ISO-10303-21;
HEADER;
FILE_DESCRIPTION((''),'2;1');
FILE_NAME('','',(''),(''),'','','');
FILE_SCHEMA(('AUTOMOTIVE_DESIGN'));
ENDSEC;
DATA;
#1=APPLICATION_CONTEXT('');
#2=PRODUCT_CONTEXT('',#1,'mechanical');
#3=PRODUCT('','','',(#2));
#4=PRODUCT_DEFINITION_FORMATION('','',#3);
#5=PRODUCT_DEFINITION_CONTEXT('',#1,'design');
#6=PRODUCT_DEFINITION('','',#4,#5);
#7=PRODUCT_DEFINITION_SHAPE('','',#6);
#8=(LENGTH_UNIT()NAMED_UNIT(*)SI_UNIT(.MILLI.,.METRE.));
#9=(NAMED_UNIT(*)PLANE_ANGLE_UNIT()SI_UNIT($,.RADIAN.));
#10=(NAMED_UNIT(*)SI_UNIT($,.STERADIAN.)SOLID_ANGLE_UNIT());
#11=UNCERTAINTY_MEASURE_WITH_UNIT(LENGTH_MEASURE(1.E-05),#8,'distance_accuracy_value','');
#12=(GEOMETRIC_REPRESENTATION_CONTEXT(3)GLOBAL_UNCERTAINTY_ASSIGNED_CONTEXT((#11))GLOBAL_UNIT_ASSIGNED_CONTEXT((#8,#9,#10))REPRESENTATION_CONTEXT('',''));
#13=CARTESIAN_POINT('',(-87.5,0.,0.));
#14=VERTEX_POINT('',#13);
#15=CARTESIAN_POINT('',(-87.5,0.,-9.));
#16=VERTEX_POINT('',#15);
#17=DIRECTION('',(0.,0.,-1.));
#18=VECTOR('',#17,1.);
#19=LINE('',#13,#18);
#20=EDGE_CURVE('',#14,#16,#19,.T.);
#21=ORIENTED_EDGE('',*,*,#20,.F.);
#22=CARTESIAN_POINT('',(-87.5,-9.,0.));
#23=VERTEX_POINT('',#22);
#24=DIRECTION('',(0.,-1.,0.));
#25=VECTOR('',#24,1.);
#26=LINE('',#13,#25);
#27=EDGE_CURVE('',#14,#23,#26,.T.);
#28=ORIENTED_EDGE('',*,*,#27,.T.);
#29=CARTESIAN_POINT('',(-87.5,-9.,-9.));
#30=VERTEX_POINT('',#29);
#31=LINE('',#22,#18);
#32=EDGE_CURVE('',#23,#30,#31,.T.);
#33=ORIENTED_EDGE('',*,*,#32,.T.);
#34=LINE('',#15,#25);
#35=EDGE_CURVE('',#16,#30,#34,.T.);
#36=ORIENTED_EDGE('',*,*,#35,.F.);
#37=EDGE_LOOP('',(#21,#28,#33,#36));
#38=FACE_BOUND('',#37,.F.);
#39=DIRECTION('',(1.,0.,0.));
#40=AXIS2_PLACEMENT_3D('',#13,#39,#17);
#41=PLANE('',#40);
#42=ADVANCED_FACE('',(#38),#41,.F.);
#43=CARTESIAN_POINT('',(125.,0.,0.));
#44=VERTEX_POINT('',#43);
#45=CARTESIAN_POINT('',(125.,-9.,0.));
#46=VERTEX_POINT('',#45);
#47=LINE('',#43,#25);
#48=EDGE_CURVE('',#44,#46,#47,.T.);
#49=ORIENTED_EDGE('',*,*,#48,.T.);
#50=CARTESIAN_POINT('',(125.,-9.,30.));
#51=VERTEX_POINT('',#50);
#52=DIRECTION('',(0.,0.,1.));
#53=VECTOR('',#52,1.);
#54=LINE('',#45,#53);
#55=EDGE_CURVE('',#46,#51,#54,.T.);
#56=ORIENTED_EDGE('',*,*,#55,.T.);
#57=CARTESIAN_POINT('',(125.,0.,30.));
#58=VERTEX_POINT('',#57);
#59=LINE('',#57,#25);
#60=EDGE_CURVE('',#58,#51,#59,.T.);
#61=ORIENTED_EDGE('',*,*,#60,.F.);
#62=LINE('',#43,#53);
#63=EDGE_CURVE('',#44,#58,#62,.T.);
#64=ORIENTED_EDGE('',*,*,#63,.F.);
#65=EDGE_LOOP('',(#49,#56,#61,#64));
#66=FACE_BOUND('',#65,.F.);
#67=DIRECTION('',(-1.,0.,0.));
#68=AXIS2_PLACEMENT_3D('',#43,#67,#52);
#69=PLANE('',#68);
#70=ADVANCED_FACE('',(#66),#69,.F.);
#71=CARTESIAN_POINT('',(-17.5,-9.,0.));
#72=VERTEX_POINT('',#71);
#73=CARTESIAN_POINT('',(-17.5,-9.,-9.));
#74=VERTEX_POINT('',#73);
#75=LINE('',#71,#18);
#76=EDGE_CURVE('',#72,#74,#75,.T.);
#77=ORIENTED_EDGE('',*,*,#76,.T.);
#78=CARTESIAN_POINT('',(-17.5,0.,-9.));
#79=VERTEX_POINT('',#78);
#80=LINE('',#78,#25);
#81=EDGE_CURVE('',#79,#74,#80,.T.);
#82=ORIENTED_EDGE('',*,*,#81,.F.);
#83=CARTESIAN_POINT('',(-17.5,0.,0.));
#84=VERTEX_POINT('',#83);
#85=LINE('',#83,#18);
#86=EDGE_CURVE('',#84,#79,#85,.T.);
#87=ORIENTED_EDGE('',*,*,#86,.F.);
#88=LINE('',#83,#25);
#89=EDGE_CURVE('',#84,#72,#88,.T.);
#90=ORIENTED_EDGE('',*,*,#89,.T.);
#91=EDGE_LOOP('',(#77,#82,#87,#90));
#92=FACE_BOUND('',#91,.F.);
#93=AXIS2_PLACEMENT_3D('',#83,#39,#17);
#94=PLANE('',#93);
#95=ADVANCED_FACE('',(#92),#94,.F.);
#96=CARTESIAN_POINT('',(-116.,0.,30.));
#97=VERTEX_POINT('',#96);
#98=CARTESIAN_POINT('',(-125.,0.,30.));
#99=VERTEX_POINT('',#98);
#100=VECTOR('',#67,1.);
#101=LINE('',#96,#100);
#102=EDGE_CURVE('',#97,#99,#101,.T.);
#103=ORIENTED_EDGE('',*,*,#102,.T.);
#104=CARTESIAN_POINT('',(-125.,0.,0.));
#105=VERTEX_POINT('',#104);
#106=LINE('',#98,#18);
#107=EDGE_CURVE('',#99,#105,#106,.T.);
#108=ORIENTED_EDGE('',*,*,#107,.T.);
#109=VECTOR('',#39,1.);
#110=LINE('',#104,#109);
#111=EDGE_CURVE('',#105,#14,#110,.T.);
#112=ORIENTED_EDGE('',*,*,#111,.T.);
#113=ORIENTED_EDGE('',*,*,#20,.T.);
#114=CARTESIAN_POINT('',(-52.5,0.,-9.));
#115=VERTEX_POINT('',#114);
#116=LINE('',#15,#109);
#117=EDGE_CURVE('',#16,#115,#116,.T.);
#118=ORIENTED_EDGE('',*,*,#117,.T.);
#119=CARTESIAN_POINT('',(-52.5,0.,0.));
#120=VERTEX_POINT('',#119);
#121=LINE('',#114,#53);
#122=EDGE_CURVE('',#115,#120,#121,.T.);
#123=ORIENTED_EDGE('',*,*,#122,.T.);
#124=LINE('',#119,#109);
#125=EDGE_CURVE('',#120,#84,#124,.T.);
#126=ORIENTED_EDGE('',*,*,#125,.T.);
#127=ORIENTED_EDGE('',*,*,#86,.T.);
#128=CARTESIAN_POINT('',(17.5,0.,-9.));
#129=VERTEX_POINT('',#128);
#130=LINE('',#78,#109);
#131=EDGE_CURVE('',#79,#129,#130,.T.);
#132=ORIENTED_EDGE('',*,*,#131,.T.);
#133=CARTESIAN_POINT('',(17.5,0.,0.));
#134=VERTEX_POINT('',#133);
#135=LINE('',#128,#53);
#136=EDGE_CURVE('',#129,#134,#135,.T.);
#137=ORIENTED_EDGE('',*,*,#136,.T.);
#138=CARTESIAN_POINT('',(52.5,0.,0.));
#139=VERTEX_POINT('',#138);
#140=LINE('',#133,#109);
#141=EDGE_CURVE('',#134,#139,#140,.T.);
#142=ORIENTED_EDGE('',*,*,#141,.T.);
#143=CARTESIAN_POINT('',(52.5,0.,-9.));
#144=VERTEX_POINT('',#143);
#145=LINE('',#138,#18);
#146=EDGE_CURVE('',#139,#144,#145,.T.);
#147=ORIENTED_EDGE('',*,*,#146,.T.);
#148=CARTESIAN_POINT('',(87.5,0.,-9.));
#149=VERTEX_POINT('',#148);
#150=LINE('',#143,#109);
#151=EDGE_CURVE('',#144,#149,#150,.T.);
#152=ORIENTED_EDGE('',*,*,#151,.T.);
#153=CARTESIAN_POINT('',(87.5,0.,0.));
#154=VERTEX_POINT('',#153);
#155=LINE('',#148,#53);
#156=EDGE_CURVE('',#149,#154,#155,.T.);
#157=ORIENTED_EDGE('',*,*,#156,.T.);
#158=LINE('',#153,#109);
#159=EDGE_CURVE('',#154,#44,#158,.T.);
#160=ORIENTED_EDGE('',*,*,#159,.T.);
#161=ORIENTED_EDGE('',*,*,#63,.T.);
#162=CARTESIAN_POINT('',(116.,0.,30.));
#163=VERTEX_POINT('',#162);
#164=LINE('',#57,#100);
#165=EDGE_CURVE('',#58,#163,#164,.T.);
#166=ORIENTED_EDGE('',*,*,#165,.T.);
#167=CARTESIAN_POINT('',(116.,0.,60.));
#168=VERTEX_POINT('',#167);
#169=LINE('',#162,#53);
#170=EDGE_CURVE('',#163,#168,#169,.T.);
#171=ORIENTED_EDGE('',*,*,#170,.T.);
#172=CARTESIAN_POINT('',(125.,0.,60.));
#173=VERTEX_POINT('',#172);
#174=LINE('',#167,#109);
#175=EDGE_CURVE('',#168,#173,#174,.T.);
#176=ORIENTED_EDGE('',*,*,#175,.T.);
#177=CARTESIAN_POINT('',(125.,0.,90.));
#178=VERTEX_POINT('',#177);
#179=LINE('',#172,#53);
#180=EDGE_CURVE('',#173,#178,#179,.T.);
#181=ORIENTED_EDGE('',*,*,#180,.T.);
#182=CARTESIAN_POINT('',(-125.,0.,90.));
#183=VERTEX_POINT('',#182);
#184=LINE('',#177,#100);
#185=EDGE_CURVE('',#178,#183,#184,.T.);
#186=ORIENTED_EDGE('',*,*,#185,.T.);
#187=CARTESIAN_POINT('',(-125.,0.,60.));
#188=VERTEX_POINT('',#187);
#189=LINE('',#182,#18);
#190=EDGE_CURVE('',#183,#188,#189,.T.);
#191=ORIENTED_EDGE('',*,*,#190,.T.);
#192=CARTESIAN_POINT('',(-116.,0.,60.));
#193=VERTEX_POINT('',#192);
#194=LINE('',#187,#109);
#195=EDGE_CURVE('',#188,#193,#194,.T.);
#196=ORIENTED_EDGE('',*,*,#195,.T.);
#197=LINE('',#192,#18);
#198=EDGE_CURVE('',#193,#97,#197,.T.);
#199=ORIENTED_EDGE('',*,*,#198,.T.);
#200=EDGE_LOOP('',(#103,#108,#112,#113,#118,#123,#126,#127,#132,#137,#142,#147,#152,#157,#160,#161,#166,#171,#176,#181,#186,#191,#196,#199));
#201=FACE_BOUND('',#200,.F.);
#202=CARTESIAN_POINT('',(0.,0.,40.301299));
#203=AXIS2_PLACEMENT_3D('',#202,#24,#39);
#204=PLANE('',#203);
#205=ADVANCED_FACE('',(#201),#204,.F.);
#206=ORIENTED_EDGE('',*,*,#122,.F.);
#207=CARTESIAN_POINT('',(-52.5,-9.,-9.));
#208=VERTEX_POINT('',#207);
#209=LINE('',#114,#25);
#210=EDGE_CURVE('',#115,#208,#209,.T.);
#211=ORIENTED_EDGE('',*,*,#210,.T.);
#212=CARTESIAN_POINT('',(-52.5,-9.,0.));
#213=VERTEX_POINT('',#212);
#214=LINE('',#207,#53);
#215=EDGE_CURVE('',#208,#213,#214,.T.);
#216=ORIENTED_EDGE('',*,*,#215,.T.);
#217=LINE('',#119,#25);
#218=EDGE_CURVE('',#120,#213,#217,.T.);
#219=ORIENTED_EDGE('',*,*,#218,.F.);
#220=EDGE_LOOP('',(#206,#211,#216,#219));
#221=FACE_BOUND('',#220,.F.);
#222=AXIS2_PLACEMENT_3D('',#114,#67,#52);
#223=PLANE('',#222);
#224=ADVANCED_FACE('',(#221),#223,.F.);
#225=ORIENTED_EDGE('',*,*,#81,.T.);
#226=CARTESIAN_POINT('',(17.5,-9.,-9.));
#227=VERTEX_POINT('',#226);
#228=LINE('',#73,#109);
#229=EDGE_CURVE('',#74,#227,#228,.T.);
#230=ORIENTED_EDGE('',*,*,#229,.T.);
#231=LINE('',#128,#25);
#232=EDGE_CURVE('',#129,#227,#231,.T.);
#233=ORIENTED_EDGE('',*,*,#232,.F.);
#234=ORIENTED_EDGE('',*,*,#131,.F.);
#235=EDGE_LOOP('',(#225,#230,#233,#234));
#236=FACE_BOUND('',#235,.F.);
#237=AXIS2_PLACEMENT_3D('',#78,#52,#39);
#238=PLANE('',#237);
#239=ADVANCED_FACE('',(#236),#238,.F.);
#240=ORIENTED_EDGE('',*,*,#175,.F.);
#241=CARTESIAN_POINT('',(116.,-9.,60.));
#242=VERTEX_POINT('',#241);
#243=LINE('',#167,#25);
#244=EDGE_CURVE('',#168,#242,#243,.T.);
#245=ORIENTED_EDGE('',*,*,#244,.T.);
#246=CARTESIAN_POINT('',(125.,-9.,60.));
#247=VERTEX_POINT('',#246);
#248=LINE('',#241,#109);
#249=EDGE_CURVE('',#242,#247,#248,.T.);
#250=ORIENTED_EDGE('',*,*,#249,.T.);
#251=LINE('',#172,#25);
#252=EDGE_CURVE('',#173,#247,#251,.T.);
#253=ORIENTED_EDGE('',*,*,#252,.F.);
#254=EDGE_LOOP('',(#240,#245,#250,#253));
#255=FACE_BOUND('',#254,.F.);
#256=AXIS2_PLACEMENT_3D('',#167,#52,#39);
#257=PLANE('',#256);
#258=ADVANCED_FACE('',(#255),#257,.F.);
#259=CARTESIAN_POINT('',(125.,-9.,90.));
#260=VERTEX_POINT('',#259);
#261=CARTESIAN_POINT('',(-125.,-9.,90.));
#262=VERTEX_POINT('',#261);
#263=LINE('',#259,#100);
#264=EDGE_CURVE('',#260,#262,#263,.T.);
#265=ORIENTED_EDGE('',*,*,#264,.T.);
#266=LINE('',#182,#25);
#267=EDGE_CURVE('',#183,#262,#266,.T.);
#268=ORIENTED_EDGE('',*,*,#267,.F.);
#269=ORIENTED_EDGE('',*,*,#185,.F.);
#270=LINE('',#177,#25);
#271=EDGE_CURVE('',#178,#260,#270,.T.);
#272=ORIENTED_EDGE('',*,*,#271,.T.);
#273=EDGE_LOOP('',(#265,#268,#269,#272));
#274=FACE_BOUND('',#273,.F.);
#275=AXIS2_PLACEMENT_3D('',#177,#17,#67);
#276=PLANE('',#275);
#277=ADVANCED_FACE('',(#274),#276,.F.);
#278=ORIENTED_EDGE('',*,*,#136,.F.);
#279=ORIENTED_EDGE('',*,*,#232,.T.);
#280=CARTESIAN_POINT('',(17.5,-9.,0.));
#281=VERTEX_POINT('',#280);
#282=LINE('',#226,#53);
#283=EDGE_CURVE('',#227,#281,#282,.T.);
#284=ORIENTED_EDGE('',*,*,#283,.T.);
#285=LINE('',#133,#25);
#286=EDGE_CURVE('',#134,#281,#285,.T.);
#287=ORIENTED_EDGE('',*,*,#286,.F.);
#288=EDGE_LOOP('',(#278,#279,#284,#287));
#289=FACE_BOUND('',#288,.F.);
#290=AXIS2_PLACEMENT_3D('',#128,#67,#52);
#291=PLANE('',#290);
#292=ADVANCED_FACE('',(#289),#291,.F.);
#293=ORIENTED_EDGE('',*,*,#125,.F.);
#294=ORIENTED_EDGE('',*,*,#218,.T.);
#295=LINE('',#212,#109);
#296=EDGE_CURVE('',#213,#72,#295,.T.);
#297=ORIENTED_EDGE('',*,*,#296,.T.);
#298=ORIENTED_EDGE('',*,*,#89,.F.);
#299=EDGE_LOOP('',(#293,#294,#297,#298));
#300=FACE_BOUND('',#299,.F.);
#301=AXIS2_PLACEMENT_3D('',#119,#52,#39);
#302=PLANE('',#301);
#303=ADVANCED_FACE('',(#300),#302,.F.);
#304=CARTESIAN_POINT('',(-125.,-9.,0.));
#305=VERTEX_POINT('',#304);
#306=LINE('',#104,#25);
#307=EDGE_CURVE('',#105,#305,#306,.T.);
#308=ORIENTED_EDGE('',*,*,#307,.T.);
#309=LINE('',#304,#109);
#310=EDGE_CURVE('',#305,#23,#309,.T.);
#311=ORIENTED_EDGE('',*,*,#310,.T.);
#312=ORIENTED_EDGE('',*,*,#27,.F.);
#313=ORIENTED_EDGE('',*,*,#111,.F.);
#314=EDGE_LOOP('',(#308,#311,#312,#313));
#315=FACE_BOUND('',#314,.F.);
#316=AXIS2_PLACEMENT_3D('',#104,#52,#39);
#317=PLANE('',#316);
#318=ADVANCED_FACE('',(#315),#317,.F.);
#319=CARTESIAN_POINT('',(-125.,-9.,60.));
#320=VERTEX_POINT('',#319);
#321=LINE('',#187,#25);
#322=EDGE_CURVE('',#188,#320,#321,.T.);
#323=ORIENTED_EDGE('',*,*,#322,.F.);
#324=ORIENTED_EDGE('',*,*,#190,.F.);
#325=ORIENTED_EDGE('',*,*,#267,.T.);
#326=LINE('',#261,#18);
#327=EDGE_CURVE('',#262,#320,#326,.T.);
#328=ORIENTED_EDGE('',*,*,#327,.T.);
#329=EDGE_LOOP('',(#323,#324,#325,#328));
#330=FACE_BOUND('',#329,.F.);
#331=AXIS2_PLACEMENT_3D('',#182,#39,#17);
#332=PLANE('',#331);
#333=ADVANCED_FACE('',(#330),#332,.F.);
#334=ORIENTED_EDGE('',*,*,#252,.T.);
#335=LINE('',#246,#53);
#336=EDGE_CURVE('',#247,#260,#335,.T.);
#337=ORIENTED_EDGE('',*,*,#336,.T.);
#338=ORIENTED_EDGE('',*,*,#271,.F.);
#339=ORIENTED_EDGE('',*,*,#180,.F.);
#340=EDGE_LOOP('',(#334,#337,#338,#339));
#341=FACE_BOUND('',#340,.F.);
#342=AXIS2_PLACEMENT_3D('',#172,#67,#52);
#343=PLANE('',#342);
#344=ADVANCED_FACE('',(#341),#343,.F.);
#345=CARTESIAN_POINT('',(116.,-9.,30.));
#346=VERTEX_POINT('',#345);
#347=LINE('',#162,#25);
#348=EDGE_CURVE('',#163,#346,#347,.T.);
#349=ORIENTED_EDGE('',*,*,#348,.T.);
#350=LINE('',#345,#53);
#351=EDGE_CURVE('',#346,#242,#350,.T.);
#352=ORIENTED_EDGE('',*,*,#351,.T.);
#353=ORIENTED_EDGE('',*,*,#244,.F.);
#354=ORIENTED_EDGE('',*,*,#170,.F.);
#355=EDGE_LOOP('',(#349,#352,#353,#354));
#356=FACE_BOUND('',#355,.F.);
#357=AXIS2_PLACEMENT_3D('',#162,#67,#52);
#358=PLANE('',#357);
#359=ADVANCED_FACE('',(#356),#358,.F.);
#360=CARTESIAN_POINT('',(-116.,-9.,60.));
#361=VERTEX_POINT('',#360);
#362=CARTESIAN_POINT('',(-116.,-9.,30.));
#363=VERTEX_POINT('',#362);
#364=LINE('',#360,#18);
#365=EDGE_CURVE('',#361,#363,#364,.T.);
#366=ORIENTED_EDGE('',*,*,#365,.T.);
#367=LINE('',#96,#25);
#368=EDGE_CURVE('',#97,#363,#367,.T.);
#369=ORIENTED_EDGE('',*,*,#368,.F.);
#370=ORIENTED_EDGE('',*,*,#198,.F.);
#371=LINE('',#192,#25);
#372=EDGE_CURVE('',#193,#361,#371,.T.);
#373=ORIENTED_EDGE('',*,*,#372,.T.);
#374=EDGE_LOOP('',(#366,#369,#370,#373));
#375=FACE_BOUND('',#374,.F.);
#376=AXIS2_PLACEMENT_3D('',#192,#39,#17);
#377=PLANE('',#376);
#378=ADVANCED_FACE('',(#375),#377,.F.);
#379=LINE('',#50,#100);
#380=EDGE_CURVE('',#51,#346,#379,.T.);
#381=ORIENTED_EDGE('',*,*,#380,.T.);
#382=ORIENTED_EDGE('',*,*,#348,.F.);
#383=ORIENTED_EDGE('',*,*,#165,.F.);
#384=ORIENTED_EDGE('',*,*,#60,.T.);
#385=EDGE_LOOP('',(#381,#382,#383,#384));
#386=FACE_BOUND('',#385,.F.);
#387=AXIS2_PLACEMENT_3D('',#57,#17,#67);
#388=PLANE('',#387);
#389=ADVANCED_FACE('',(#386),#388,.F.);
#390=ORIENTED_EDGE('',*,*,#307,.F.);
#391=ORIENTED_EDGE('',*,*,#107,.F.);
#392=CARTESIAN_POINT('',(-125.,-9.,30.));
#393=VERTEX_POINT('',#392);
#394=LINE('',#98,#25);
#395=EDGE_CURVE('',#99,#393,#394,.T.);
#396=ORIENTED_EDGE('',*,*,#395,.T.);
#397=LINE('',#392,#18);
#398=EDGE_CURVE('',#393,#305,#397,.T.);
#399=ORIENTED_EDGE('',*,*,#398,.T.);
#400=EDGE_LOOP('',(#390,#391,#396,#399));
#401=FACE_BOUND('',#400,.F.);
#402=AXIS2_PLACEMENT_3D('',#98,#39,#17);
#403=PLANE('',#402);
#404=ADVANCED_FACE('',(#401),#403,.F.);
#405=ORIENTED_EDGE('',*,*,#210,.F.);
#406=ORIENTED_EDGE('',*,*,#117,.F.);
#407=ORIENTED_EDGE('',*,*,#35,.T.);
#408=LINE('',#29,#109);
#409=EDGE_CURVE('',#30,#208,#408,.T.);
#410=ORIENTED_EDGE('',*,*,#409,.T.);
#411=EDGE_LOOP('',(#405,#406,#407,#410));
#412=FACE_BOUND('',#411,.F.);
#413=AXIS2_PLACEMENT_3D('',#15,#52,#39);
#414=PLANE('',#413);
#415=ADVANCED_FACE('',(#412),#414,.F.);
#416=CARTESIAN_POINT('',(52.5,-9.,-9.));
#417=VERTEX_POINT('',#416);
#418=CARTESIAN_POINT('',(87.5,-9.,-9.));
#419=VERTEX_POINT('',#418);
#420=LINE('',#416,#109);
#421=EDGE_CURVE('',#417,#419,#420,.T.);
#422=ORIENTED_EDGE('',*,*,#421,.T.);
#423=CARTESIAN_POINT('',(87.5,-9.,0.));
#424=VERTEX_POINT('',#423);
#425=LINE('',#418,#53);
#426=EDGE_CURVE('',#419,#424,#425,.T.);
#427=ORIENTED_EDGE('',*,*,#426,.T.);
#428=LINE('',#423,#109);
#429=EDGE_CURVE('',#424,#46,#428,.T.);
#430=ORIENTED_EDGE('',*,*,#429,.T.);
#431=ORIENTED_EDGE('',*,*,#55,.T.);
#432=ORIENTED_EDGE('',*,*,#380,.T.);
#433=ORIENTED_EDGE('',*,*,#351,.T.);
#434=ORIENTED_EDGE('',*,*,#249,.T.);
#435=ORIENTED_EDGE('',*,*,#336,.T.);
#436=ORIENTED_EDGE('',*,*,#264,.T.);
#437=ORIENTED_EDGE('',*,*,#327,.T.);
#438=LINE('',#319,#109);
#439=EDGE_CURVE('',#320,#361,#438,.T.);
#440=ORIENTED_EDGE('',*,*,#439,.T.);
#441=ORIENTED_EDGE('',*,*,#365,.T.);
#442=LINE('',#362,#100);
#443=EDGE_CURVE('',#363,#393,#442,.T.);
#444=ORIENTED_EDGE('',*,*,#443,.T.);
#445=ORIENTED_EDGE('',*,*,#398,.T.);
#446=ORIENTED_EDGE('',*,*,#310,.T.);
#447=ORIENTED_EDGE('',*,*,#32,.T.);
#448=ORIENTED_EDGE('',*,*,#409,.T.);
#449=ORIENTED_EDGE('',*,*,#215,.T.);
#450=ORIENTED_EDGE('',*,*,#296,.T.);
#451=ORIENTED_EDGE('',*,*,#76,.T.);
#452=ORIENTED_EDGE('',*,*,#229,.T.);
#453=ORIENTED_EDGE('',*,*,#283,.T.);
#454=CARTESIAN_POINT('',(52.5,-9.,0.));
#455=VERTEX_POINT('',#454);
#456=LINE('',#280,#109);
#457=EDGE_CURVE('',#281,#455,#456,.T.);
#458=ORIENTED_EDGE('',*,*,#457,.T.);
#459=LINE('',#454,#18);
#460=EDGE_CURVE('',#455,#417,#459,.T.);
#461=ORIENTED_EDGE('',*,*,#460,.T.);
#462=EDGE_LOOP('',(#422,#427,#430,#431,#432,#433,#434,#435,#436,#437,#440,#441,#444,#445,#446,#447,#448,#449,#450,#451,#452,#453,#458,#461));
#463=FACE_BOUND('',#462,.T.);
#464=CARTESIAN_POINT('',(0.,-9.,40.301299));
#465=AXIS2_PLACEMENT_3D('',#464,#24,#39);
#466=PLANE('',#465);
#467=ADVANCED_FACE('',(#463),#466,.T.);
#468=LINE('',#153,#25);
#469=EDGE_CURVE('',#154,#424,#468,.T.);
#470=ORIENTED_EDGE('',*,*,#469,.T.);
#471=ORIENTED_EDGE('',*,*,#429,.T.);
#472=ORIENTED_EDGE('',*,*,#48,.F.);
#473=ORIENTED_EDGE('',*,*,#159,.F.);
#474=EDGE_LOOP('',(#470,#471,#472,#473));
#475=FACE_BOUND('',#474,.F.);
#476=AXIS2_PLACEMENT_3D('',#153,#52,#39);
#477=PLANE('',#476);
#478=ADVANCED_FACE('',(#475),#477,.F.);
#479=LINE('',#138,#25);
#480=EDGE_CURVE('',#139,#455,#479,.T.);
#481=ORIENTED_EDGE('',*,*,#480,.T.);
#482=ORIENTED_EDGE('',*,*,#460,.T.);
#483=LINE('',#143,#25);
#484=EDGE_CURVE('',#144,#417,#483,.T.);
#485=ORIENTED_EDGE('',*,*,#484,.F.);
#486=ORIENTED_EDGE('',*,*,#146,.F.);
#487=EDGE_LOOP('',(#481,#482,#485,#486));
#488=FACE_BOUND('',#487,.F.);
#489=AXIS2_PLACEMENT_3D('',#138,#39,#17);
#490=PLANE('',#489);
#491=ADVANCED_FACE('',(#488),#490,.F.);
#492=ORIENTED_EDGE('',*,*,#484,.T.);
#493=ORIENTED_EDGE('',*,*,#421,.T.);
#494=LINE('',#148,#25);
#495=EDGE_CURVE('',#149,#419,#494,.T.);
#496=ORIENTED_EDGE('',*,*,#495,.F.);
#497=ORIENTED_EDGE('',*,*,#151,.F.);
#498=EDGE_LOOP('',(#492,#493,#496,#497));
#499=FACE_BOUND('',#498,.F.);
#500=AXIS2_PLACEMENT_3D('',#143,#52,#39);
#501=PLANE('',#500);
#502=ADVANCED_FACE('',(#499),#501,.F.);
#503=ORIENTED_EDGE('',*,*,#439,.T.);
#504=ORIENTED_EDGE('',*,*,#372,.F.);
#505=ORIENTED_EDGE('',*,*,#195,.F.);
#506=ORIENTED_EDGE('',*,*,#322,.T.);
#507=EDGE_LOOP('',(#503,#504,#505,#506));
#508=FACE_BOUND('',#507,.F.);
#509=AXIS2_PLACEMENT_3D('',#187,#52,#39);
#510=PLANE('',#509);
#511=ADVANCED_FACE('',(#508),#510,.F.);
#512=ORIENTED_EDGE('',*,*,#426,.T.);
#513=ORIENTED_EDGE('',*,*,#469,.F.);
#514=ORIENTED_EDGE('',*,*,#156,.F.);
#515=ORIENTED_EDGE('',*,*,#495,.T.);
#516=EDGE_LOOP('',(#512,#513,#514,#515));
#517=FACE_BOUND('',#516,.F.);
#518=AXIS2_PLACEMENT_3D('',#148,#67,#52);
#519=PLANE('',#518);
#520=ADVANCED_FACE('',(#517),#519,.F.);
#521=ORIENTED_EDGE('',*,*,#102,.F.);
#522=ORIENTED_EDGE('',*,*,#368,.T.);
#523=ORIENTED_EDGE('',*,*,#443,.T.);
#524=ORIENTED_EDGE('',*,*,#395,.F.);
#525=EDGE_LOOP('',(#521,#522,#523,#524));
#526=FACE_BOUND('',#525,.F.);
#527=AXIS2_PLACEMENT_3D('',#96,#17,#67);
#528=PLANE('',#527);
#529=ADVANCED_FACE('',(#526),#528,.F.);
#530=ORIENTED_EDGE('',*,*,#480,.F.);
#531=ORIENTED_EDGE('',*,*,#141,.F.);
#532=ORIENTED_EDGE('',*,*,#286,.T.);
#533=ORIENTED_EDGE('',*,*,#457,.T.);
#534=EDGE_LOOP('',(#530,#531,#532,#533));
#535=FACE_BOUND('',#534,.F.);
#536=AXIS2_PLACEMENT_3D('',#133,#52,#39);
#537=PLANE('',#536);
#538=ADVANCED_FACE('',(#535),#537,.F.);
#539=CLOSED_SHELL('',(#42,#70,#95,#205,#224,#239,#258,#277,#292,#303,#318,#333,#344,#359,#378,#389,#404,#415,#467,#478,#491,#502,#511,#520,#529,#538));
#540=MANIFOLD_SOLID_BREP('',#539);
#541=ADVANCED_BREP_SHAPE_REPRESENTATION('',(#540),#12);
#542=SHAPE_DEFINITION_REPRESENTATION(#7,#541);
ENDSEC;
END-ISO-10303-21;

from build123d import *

# Parameters (mm, degrees)
F1_DEPTH = 9


with BuildPart() as f1:
    # F0 (on Front) → F1 (new body)
    with BuildSketch(Plane.XZ):
        Polygon((0, 90), (-125, 90), (-125, 60), (-116, 60), (-116, 30), (-125, 30), (-125, 0), (-116, 0), (-87.5, 0), (-87.5, -9), (-52.5, -9), (-52.5, 0), (-17.5, 0), (-17.5, -9), (0, -9), (17.5, -9), (17.5, 0), (52.5, 0), (52.5, -9), (87.5, -9), (87.5, 0), (125, 0), (125, 30), (116, 30), (116, 60), (125, 60), (125, 90), align=None)
    extrude(amount=F1_DEPTH)


solid = f1.part
